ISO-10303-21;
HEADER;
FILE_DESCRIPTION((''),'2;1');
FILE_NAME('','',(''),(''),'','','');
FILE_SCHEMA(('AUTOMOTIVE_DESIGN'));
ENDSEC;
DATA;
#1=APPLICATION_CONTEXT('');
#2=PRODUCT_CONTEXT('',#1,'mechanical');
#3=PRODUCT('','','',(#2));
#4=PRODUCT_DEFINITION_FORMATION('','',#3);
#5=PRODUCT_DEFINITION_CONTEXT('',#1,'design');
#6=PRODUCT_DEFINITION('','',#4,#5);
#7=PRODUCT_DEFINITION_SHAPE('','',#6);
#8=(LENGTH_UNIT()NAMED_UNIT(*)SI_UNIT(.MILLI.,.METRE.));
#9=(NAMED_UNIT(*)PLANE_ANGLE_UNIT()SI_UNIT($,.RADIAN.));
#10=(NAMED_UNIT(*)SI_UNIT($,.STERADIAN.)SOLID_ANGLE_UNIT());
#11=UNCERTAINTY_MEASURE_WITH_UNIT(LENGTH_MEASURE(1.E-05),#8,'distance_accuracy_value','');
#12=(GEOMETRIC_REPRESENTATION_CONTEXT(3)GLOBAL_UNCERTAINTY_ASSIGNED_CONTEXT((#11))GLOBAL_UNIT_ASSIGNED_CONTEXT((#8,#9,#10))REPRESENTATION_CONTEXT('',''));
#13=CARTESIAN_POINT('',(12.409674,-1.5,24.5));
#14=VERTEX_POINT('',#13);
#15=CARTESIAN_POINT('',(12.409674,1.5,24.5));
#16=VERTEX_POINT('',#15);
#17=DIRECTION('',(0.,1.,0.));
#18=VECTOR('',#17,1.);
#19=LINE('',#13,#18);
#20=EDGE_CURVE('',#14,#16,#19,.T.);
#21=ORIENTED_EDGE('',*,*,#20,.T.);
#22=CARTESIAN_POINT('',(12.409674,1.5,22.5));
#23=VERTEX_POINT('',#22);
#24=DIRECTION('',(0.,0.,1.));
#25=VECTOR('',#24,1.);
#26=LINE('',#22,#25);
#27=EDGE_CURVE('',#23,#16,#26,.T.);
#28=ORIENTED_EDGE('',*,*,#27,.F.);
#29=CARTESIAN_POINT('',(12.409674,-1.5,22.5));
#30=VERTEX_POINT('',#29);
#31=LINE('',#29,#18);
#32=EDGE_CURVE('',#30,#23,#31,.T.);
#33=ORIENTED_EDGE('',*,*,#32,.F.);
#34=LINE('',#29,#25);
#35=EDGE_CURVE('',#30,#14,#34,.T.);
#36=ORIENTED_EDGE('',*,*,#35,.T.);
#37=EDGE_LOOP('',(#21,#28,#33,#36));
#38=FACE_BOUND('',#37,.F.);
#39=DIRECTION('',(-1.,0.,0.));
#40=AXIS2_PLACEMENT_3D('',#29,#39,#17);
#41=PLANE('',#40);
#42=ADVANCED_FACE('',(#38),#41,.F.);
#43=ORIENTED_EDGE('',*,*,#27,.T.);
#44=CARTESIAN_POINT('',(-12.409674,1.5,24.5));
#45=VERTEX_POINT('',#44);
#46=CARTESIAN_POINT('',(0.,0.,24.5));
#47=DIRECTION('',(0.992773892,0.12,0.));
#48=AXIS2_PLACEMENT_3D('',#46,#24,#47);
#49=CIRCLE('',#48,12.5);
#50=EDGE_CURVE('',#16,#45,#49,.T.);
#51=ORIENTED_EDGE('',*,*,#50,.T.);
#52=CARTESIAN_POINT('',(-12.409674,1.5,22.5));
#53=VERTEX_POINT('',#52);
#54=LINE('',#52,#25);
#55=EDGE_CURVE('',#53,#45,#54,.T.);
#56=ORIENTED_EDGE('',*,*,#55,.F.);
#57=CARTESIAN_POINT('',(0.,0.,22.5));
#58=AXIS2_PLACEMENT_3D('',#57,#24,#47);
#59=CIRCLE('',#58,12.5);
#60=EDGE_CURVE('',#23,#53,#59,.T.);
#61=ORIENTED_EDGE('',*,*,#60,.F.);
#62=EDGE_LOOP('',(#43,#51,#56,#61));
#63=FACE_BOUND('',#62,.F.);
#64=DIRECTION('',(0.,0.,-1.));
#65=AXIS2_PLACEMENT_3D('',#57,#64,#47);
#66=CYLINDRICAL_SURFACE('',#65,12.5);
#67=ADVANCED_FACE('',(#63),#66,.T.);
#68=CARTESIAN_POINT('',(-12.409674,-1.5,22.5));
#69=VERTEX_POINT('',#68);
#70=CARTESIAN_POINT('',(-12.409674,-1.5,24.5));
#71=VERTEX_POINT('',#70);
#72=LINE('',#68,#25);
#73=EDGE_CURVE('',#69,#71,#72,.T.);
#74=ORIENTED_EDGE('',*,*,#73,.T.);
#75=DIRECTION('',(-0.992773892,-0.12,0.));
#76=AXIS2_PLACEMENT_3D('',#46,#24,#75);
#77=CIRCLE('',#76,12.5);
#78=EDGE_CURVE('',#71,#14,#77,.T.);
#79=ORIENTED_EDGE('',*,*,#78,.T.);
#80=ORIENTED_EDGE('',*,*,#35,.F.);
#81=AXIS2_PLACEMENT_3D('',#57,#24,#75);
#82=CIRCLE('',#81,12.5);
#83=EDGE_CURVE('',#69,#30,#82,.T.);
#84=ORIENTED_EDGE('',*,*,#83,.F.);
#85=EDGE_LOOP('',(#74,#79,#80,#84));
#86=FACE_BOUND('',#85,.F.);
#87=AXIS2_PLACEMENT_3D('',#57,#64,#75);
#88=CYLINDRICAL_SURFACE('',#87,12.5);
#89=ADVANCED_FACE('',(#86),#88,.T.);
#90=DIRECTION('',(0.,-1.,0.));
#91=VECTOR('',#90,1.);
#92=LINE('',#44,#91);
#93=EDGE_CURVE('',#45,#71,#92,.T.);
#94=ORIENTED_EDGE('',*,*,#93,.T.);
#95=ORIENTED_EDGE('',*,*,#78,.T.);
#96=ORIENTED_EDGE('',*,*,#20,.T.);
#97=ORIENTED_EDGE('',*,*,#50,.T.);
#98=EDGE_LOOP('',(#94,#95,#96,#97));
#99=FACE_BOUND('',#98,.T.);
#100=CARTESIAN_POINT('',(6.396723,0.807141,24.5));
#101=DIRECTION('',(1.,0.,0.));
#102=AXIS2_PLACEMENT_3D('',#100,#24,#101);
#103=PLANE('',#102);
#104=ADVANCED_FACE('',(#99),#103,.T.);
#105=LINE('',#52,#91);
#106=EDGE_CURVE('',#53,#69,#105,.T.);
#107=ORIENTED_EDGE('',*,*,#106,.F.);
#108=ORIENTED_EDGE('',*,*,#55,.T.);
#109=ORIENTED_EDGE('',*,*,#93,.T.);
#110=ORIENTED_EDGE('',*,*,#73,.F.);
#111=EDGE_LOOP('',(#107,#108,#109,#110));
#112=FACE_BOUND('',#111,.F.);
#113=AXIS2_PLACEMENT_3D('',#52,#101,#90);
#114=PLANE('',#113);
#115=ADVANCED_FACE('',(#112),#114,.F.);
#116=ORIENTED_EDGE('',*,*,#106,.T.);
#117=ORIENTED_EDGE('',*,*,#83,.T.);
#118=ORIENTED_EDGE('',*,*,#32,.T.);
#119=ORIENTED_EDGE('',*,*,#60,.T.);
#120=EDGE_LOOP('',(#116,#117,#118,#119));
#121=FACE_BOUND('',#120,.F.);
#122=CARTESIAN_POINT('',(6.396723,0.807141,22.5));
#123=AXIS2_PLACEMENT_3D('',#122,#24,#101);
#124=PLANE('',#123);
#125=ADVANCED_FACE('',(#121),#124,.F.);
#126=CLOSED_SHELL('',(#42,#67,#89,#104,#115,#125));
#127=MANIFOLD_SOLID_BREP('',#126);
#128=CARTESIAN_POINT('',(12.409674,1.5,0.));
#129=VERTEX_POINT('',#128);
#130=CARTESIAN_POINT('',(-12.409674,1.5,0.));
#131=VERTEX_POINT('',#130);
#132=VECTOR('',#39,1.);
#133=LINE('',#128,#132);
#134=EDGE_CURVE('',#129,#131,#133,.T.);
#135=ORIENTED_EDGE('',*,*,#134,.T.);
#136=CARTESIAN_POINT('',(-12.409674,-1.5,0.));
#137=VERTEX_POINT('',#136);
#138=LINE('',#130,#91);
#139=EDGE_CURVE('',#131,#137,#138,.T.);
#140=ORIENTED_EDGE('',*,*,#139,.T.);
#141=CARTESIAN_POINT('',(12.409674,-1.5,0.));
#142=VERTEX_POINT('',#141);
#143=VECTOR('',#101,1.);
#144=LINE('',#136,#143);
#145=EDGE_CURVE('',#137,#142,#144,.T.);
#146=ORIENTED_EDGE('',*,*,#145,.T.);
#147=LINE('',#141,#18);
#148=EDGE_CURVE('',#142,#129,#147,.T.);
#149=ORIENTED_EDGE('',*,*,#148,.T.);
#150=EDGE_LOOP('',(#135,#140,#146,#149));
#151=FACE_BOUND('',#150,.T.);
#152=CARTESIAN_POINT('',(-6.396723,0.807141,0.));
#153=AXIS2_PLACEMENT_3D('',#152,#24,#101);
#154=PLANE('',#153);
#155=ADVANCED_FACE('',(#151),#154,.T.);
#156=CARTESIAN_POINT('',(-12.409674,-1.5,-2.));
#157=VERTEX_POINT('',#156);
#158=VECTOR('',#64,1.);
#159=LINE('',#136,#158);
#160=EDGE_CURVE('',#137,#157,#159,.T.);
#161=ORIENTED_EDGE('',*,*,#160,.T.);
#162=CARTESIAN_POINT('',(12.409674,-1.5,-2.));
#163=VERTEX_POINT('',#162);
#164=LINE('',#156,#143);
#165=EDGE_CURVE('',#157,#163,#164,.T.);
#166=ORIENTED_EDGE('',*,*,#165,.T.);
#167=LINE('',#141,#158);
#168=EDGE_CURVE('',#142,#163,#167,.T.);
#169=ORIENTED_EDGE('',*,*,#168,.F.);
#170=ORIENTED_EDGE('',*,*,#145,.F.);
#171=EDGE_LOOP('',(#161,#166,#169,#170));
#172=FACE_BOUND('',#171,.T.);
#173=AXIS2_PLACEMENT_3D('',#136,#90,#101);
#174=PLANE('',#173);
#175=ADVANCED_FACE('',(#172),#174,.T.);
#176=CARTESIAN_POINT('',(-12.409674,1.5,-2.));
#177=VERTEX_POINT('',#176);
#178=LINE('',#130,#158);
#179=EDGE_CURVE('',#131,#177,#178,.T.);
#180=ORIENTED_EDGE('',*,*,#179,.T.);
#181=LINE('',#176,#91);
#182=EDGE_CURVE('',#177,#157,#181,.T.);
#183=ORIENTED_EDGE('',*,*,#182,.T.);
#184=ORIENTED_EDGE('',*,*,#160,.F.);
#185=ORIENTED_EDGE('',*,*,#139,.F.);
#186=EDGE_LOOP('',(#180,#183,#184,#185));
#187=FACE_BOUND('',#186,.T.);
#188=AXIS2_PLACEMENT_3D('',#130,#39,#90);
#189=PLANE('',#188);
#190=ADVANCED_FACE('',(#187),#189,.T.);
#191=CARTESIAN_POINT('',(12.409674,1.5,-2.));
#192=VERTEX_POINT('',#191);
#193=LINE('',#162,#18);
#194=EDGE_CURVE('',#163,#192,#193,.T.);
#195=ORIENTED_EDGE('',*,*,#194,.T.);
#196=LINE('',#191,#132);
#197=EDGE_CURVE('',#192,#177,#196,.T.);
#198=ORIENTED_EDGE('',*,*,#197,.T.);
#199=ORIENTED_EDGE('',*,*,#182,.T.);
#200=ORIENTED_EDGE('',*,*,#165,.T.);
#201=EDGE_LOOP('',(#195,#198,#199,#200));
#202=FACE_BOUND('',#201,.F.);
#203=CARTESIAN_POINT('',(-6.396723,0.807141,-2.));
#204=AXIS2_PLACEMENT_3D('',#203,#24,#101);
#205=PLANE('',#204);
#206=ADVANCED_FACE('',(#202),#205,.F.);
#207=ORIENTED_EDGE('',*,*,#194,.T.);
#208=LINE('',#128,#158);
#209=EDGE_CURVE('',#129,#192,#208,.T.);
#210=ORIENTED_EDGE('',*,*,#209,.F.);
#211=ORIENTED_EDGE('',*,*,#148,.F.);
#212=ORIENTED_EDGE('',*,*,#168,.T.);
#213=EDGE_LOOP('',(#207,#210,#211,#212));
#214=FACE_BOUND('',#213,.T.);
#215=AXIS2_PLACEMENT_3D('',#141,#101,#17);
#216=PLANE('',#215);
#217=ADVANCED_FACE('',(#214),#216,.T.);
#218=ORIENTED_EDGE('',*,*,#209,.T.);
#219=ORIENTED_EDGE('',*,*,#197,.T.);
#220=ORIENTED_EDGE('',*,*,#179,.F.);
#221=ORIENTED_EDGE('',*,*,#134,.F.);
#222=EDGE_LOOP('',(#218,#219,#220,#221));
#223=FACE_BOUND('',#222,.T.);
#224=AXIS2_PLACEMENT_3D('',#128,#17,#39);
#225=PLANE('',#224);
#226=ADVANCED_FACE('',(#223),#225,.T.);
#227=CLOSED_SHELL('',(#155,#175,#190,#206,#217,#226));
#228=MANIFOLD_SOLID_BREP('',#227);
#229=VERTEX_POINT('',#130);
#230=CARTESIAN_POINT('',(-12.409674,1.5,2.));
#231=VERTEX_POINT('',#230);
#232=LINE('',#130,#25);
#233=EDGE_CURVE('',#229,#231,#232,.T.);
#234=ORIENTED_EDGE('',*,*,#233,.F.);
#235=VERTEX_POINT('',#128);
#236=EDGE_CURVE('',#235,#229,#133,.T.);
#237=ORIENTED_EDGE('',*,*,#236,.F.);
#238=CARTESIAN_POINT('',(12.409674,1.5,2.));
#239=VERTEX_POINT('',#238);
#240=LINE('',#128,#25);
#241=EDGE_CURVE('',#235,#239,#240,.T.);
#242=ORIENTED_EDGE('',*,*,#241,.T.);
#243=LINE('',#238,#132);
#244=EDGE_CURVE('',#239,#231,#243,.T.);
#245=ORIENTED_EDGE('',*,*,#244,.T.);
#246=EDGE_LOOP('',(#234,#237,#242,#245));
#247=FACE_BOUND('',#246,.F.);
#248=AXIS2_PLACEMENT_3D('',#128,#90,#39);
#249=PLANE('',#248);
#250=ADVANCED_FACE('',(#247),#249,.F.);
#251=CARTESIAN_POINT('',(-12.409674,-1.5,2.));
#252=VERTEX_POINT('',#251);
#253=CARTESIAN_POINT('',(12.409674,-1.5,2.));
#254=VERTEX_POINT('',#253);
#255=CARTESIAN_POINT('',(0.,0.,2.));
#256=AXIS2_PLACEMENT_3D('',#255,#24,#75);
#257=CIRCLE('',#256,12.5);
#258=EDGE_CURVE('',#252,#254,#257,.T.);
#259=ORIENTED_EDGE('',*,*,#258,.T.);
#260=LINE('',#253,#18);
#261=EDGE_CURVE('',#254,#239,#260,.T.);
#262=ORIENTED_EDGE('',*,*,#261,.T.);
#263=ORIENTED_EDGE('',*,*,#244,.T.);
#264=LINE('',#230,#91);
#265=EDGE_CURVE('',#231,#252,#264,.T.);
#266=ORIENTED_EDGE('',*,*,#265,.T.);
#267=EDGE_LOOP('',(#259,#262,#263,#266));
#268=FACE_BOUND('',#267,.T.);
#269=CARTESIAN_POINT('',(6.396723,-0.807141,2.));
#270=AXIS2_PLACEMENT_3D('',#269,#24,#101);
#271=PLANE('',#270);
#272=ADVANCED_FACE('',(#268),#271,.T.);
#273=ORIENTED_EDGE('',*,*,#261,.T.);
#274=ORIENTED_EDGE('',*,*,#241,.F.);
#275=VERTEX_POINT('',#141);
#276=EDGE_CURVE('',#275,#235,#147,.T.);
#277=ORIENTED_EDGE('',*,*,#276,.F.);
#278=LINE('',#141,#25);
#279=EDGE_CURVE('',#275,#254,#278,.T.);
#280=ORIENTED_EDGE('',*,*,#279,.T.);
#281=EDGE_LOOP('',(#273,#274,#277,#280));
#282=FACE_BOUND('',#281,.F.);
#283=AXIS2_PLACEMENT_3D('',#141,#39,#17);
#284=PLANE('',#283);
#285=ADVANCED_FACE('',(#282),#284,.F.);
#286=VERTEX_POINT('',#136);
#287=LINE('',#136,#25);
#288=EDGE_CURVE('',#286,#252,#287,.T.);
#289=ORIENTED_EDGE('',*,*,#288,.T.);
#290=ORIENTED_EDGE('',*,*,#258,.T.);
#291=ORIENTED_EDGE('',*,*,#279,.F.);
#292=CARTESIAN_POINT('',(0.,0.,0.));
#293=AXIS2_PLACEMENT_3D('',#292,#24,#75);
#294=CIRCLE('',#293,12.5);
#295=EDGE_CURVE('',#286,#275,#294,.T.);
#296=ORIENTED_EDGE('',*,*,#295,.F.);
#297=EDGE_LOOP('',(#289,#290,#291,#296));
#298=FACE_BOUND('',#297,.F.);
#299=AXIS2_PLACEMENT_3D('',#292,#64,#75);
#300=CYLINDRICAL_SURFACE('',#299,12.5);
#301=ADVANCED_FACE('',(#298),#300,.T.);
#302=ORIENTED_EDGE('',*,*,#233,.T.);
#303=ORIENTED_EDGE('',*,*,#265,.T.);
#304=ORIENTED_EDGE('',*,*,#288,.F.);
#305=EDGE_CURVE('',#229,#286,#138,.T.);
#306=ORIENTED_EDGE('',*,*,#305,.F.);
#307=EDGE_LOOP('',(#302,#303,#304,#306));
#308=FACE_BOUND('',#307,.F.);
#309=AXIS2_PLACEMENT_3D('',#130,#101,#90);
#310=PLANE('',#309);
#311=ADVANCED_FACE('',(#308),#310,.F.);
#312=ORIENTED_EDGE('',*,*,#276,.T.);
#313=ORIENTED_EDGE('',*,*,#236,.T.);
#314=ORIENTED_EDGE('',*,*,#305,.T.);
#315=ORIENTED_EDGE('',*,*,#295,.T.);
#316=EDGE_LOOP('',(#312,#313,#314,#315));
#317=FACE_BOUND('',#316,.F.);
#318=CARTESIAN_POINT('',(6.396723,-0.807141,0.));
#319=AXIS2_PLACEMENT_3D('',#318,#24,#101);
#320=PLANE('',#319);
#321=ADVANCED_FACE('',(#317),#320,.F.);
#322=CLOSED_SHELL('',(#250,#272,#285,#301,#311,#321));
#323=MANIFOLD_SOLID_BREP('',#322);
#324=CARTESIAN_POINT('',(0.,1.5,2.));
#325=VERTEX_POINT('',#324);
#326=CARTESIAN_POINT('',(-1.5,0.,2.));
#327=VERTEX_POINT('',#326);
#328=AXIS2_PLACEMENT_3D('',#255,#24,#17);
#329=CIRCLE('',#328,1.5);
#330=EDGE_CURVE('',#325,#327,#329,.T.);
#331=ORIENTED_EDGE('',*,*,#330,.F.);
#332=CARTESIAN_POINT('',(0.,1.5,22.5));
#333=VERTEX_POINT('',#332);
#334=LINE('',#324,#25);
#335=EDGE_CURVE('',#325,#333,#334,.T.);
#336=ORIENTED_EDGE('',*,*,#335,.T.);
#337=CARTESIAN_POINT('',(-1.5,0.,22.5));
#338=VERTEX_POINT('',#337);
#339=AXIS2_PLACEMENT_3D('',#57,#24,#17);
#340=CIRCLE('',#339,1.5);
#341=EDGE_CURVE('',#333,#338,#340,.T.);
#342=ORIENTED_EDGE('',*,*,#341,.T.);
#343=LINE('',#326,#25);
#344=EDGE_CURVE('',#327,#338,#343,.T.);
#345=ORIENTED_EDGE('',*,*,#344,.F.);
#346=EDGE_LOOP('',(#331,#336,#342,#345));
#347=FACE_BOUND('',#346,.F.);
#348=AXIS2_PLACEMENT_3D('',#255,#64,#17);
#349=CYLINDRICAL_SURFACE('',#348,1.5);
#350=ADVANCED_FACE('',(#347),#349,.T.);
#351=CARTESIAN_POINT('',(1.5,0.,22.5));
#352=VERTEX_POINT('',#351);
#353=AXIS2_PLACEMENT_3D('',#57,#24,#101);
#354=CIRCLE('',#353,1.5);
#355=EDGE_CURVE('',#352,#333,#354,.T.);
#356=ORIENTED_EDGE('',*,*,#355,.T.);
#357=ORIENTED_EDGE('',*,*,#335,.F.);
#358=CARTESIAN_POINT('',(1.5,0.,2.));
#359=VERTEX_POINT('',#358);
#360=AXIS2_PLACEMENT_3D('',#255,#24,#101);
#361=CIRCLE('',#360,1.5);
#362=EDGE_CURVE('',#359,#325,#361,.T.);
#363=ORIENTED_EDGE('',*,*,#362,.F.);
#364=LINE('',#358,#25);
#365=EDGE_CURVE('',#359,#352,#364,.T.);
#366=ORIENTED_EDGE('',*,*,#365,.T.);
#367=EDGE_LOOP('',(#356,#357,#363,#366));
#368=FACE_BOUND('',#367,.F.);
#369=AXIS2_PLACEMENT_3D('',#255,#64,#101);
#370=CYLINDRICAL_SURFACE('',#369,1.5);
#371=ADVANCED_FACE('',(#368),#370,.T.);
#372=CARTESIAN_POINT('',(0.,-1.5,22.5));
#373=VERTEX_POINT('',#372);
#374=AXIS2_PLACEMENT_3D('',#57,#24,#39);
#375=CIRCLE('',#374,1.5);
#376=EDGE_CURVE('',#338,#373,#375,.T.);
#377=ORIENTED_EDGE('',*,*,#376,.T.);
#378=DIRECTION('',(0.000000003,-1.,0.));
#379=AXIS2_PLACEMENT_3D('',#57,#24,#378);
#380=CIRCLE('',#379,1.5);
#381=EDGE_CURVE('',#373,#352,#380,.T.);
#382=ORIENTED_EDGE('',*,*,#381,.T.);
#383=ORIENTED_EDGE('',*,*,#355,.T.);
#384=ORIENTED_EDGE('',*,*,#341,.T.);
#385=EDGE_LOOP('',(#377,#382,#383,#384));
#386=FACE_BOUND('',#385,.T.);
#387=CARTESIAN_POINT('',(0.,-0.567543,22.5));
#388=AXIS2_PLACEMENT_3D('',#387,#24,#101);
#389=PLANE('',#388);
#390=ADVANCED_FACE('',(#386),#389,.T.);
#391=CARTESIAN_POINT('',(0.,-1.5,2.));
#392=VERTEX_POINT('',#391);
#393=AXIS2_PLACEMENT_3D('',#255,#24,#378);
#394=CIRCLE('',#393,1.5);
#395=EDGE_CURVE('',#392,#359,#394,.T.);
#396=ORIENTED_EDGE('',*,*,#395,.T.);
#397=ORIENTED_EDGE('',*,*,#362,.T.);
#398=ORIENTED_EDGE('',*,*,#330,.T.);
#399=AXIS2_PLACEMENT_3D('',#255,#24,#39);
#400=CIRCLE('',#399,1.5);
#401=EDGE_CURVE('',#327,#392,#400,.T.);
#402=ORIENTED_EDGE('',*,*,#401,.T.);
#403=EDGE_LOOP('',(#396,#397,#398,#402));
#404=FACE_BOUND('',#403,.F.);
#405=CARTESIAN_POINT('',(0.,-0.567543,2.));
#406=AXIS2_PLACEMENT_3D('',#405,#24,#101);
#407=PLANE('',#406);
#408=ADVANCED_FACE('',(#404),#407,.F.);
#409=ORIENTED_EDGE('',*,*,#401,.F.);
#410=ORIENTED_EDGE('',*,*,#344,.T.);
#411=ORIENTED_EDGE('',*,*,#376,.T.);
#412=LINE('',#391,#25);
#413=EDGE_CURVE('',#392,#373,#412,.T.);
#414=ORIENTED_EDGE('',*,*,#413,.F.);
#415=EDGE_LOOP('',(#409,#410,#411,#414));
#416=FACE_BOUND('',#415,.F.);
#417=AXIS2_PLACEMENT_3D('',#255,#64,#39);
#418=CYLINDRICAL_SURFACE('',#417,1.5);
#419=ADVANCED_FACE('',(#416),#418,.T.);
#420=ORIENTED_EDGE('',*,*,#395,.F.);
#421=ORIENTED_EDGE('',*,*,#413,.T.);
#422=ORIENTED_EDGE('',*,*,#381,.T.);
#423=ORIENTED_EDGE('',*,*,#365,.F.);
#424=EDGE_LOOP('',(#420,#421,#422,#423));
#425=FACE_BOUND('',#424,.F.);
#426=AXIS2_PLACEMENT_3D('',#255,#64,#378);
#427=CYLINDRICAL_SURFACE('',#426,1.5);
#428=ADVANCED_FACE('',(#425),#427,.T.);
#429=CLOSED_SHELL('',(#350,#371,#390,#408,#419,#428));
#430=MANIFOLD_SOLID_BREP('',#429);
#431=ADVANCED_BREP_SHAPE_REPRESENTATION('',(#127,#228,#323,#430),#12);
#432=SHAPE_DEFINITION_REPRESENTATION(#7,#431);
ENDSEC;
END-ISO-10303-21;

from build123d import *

# Parameters (mm, degrees)
F1_DEPTH = 2
F2_START = 2
F2_DEPTH = 20.5
F3_START = 22.5
F3_DEPTH = 2
F4_DEPTH = 2


with BuildPart() as f1:
    # F0 (on Top) → F1 (new body)
    with BuildSketch(Plane.XY):
        with BuildLine():
            Line((12.409673646, 0), (1.5, 0))
            ThreePointArc((1.5, 0), (1.0606601732, -1.0606601704), (3.9e-09, -1.5))
            Line((3.9e-09, -1.5), (12.409673646, -1.5))
            Line((12.409673646, -1.5), (12.409673646, 0))
        make_face()
        with BuildLine():
            ThreePointArc((3.9e-09, -1.5), (1.0606601732, -1.0606601704), (1.5, 0))
            Line((1.5, 0), (-1.5, 0))
            ThreePointArc((-1.5, 0), (-1.0606601704, -1.0606601732), (3.9e-09, -1.5))
        make_face()
        with BuildLine():
            Line((-12.409673646, -1.5), (3.9e-09, -1.5))
            ThreePointArc((3.9e-09, -1.5), (-1.0606601704, -1.0606601732), (-1.5, 0))
            Line((-1.5, 0), (-12.409673646, 0))
            Line((-12.409673646, 0), (-12.409673646, -1.5))
        make_face()
        with BuildLine():
            Line((12.409673646, -1.5), (3.9e-09, -1.5))
            Line((3.9e-09, -1.5), (-12.409673646, -1.5))
            ThreePointArc((-12.409673646, -1.5), (0, -12.5), (12.409673646, -1.5))
        make_face()
        with BuildLine():
            ThreePointArc((-1.5, 0), (-1.0606601718, 1.0606601718), (0, 1.5))
            Line((0, 1.5), (-12.409673646, 1.5))
            Line((-12.409673646, 1.5), (-12.409673646, 0))
            Line((-12.409673646, 0), (-1.5, 0))
        make_face()
        with BuildLine():
            ThreePointArc((0, 1.5), (1.0606601718, 1.0606601718), (1.5, 0))
            Line((1.5, 0), (12.409673646, 0))
            Line((12.409673646, 0), (12.409673646, 1.5))
            Line((12.409673646, 1.5), (0, 1.5))
        make_face()
        with BuildLine():
            Line((-1.5, 0), (1.5, 0))
            ThreePointArc((1.5, 0), (1.0606601718, 1.0606601718), (0, 1.5))
            ThreePointArc((0, 1.5), (-1.0606601718, 1.0606601718), (-1.5, 0))
        make_face()
    extrude(amount=F1_DEPTH)


with BuildPart() as f2:
    # F0 (on Top) → F2 (new body)
    with BuildSketch(Plane.XY.offset(F2_START)):
        with BuildLine():
            ThreePointArc((3.9e-09, -1.5), (1.0606601732, -1.0606601704), (1.5, 0))
            Line((1.5, 0), (-1.5, 0))
            ThreePointArc((-1.5, 0), (-1.0606601704, -1.0606601732), (3.9e-09, -1.5))
        make_face()
        with BuildLine():
            Line((-1.5, 0), (1.5, 0))
            ThreePointArc((1.5, 0), (1.0606601718, 1.0606601718), (0, 1.5))
            ThreePointArc((0, 1.5), (-1.0606601718, 1.0606601718), (-1.5, 0))
        make_face()
    extrude(amount=F2_DEPTH)


with BuildPart() as f3:
    # F0 (on Top) → F3 (new body)
    with BuildSketch(Plane.XY.offset(F3_START)):
        with BuildLine():
            ThreePointArc((0, 1.5), (1.0606601718, 1.0606601718), (1.5, 0))
            Line((1.5, 0), (12.409673646, 0))
            Line((12.409673646, 0), (12.409673646, 1.5))
            Line((12.409673646, 1.5), (0, 1.5))
        make_face()
        with BuildLine():
            Line((-1.5, 0), (1.5, 0))
            ThreePointArc((1.5, 0), (1.0606601718, 1.0606601718), (0, 1.5))
            ThreePointArc((0, 1.5), (-1.0606601718, 1.0606601718), (-1.5, 0))
        make_face()
        with BuildLine():
            ThreePointArc((3.9e-09, -1.5), (1.0606601732, -1.0606601704), (1.5, 0))
            Line((1.5, 0), (-1.5, 0))
            ThreePointArc((-1.5, 0), (-1.0606601704, -1.0606601732), (3.9e-09, -1.5))
        make_face()
        with BuildLine():
            Line((12.409673646, 0), (1.5, 0))
            ThreePointArc((1.5, 0), (1.0606601732, -1.0606601704), (3.9e-09, -1.5))
            Line((3.9e-09, -1.5), (12.409673646, -1.5))
            Line((12.409673646, -1.5), (12.409673646, 0))
        make_face()
        with BuildLine():
            Line((-12.409673646, -1.5), (3.9e-09, -1.5))
            ThreePointArc((3.9e-09, -1.5), (-1.0606601704, -1.0606601732), (-1.5, 0))
            Line((-1.5, 0), (-12.409673646, 0))
            Line((-12.409673646, 0), (-12.409673646, -1.5))
        make_face()
        with BuildLine():
            ThreePointArc((-1.5, 0), (-1.0606601718, 1.0606601718), (0, 1.5))
            Line((0, 1.5), (-12.409673646, 1.5))
            Line((-12.409673646, 1.5), (-12.409673646, 0))
            Line((-12.409673646, 0), (-1.5, 0))
        make_face()
        with BuildLine():
            Line((-12.409673646, 1.5), (0, 1.5))
            Line((0, 1.5), (12.409673646, 1.5))
            ThreePointArc((12.409673646, 1.5), (0, 12.5), (-12.409673646, 1.5))
        make_face()
        with BuildLine():
            Line((12.409673646, -1.5), (3.9e-09, -1.5))
            Line((3.9e-09, -1.5), (-12.409673646, -1.5))
            ThreePointArc((-12.409673646, -1.5), (0, -12.5), (12.409673646, -1.5))
        make_face()
    extrude(amount=F3_DEPTH)


with BuildPart() as f4:
    # F0 (on Top) → F4 (new body)
    with BuildSketch(Plane.XY):
        with BuildLine():
            ThreePointArc((-1.5, 0), (-1.0606601718, 1.0606601718), (0, 1.5))
            Line((0, 1.5), (-12.409673646, 1.5))
            Line((-12.409673646, 1.5), (-12.409673646, 0))
            Line((-12.409673646, 0), (-1.5, 0))
        make_face()
        with BuildLine():
            ThreePointArc((0, 1.5), (1.0606601718, 1.0606601718), (1.5, 0))
            Line((1.5, 0), (12.409673646, 0))
            Line((12.409673646, 0), (12.409673646, 1.5))
            Line((12.409673646, 1.5), (0, 1.5))
        make_face()
        with BuildLine():
            Line((12.409673646, 0), (1.5, 0))
            ThreePointArc((1.5, 0), (1.0606601732, -1.0606601704), (3.9e-09, -1.5))
            Line((3.9e-09, -1.5), (12.409673646, -1.5))
            Line((12.409673646, -1.5), (12.409673646, 0))
        make_face()
        with BuildLine():
            Line((-1.5, 0), (1.5, 0))
            ThreePointArc((1.5, 0), (1.0606601718, 1.0606601718), (0, 1.5))
            ThreePointArc((0, 1.5), (-1.0606601718, 1.0606601718), (-1.5, 0))
        make_face()
        with BuildLine():
            ThreePointArc((3.9e-09, -1.5), (1.0606601732, -1.0606601704), (1.5, 0))
            Line((1.5, 0), (-1.5, 0))
            ThreePointArc((-1.5, 0), (-1.0606601704, -1.0606601732), (3.9e-09, -1.5))
        make_face()
        with BuildLine():
            Line((-12.409673646, -1.5), (3.9e-09, -1.5))
            ThreePointArc((3.9e-09, -1.5), (-1.0606601704, -1.0606601732), (-1.5, 0))
            Line((-1.5, 0), (-12.409673646, 0))
            Line((-12.409673646, 0), (-12.409673646, -1.5))
        make_face()
    extrude(amount=-F4_DEPTH)


solid = Compound([f1.part, f2.part, f3.part, f4.part])
